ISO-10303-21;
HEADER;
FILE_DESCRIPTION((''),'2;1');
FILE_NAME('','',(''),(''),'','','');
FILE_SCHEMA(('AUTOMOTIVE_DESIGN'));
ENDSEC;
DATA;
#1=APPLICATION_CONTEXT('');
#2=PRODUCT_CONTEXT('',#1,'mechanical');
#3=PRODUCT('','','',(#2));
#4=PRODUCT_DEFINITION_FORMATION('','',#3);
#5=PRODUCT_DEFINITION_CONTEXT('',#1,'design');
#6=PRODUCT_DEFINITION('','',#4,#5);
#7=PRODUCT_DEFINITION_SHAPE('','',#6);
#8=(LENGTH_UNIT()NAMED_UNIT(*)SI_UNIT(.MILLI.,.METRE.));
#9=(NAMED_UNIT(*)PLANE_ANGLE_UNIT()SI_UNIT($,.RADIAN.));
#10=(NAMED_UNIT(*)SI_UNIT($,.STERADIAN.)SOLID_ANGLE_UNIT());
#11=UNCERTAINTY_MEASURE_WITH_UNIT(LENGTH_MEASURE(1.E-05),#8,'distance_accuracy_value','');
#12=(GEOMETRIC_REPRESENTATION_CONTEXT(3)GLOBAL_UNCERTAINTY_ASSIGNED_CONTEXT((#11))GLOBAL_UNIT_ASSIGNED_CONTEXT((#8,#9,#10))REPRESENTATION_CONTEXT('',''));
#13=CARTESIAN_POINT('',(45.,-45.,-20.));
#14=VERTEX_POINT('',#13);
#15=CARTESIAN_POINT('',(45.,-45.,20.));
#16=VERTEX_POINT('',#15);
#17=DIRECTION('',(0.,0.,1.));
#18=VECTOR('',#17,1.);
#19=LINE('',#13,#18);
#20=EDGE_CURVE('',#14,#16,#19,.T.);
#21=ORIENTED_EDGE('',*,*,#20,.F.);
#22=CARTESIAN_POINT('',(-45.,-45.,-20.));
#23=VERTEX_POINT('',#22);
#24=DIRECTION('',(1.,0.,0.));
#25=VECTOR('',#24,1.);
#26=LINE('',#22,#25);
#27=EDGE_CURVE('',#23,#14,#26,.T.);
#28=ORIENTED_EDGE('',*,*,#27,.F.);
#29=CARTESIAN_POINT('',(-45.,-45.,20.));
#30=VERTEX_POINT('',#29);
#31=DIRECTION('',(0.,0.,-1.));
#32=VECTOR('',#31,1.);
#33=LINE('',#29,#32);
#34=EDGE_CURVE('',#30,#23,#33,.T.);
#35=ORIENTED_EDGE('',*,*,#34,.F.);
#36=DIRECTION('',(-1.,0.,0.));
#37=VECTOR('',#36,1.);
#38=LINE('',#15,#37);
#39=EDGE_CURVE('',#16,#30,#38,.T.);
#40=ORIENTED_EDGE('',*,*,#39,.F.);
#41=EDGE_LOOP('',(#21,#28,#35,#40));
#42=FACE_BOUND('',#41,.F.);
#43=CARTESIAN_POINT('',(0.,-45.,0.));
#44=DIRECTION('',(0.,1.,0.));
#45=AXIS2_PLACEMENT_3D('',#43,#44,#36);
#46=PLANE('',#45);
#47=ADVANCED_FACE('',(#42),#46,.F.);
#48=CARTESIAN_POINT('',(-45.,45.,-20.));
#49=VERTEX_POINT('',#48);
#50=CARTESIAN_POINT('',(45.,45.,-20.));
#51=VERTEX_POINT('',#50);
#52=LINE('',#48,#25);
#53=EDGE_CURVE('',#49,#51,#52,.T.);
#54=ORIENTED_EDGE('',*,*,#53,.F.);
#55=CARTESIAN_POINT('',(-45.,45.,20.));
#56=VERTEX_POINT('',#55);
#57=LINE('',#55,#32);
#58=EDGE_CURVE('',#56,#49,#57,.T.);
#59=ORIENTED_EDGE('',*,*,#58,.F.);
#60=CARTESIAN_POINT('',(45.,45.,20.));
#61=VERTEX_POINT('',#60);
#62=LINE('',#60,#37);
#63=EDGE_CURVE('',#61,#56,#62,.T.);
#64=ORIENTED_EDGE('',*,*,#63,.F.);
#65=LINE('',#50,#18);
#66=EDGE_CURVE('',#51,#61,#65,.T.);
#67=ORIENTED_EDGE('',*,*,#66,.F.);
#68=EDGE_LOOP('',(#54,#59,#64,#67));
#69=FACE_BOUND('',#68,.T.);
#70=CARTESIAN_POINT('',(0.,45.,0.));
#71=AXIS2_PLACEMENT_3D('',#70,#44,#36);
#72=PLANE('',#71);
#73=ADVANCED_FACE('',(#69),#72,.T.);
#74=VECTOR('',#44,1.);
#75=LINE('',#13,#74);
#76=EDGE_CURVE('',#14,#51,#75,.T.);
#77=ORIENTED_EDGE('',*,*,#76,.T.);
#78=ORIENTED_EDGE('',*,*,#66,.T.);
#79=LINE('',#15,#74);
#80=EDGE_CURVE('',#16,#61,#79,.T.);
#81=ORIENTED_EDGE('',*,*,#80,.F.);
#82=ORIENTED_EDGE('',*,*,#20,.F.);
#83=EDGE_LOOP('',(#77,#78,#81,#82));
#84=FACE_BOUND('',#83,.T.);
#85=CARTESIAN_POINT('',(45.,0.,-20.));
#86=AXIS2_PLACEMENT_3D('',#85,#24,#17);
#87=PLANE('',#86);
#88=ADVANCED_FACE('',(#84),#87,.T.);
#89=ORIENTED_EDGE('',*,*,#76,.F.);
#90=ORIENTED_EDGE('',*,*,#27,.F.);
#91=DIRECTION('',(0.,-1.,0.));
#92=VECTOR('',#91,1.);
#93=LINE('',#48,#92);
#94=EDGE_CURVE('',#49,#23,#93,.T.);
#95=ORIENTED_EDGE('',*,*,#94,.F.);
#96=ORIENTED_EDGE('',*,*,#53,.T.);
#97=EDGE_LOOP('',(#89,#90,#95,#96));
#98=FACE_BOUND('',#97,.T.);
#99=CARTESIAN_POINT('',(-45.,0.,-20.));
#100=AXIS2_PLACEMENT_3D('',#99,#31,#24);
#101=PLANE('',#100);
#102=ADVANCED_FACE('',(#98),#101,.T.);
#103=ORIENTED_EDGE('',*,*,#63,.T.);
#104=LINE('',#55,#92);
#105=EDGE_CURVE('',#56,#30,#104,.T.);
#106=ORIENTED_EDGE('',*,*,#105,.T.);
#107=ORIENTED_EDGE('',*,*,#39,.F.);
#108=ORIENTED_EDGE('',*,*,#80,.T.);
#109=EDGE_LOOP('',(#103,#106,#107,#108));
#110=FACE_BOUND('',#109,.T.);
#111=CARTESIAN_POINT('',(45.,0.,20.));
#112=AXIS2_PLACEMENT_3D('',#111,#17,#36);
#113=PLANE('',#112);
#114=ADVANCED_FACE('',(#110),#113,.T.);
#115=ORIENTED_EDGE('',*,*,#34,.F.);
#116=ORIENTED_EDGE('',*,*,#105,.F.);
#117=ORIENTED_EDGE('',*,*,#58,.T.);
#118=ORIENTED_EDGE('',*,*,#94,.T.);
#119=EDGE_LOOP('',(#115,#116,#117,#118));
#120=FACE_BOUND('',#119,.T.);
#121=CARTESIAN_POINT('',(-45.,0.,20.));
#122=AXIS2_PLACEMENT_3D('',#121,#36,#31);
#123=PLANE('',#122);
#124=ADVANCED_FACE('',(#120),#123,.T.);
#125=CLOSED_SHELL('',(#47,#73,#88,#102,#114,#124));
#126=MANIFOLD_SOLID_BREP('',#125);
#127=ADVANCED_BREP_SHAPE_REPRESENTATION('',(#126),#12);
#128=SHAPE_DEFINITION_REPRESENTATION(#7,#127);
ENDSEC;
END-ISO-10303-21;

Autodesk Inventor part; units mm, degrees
ref_plane "YZ Plane" through (0, 0, 0) normal (1, 0, 0) x (0, 1, 0)
ref_plane "XZ Plane" through (0, 0, 0) normal (0, 1, 0) x (-1, 0, 0)
ref_plane "XY Plane" through (0, 0, 0) normal (0, 0, 1) x (1, 0, 0)
sketch "Sketch1" plane through (0, 0, 0) normal (0, 1, 0) x (-1, 0, 0)
  line L0 (-45, 20) -> (45, 20)
  line L1 (45, 20) -> (45, -20)
  line L2 (45, -20) -> (-45, -20)
  line L3 (-45, -20) -> (-45, 20)
  line L4 (-45, 20) -> (45, -20) construction
  line L5 (45, 20) -> (-45, -20) construction
  point P0 (0, 0)
  dimension "d0" = 90
  dimension "d1" = 40
extrude "Extrusion1" add sketch "Sketch1" along normal mid plane 90
equation "\"d0\" = stock_xw"
equation "\"d1\" = stock_yw"
equation "\"d2\" = stock_zw"
equation "\"stock_xw\" = 90"
equation "\"stock_yw\" = 40"
equation "\"stock_zw\" = 90"
properties part number "StockCube"
